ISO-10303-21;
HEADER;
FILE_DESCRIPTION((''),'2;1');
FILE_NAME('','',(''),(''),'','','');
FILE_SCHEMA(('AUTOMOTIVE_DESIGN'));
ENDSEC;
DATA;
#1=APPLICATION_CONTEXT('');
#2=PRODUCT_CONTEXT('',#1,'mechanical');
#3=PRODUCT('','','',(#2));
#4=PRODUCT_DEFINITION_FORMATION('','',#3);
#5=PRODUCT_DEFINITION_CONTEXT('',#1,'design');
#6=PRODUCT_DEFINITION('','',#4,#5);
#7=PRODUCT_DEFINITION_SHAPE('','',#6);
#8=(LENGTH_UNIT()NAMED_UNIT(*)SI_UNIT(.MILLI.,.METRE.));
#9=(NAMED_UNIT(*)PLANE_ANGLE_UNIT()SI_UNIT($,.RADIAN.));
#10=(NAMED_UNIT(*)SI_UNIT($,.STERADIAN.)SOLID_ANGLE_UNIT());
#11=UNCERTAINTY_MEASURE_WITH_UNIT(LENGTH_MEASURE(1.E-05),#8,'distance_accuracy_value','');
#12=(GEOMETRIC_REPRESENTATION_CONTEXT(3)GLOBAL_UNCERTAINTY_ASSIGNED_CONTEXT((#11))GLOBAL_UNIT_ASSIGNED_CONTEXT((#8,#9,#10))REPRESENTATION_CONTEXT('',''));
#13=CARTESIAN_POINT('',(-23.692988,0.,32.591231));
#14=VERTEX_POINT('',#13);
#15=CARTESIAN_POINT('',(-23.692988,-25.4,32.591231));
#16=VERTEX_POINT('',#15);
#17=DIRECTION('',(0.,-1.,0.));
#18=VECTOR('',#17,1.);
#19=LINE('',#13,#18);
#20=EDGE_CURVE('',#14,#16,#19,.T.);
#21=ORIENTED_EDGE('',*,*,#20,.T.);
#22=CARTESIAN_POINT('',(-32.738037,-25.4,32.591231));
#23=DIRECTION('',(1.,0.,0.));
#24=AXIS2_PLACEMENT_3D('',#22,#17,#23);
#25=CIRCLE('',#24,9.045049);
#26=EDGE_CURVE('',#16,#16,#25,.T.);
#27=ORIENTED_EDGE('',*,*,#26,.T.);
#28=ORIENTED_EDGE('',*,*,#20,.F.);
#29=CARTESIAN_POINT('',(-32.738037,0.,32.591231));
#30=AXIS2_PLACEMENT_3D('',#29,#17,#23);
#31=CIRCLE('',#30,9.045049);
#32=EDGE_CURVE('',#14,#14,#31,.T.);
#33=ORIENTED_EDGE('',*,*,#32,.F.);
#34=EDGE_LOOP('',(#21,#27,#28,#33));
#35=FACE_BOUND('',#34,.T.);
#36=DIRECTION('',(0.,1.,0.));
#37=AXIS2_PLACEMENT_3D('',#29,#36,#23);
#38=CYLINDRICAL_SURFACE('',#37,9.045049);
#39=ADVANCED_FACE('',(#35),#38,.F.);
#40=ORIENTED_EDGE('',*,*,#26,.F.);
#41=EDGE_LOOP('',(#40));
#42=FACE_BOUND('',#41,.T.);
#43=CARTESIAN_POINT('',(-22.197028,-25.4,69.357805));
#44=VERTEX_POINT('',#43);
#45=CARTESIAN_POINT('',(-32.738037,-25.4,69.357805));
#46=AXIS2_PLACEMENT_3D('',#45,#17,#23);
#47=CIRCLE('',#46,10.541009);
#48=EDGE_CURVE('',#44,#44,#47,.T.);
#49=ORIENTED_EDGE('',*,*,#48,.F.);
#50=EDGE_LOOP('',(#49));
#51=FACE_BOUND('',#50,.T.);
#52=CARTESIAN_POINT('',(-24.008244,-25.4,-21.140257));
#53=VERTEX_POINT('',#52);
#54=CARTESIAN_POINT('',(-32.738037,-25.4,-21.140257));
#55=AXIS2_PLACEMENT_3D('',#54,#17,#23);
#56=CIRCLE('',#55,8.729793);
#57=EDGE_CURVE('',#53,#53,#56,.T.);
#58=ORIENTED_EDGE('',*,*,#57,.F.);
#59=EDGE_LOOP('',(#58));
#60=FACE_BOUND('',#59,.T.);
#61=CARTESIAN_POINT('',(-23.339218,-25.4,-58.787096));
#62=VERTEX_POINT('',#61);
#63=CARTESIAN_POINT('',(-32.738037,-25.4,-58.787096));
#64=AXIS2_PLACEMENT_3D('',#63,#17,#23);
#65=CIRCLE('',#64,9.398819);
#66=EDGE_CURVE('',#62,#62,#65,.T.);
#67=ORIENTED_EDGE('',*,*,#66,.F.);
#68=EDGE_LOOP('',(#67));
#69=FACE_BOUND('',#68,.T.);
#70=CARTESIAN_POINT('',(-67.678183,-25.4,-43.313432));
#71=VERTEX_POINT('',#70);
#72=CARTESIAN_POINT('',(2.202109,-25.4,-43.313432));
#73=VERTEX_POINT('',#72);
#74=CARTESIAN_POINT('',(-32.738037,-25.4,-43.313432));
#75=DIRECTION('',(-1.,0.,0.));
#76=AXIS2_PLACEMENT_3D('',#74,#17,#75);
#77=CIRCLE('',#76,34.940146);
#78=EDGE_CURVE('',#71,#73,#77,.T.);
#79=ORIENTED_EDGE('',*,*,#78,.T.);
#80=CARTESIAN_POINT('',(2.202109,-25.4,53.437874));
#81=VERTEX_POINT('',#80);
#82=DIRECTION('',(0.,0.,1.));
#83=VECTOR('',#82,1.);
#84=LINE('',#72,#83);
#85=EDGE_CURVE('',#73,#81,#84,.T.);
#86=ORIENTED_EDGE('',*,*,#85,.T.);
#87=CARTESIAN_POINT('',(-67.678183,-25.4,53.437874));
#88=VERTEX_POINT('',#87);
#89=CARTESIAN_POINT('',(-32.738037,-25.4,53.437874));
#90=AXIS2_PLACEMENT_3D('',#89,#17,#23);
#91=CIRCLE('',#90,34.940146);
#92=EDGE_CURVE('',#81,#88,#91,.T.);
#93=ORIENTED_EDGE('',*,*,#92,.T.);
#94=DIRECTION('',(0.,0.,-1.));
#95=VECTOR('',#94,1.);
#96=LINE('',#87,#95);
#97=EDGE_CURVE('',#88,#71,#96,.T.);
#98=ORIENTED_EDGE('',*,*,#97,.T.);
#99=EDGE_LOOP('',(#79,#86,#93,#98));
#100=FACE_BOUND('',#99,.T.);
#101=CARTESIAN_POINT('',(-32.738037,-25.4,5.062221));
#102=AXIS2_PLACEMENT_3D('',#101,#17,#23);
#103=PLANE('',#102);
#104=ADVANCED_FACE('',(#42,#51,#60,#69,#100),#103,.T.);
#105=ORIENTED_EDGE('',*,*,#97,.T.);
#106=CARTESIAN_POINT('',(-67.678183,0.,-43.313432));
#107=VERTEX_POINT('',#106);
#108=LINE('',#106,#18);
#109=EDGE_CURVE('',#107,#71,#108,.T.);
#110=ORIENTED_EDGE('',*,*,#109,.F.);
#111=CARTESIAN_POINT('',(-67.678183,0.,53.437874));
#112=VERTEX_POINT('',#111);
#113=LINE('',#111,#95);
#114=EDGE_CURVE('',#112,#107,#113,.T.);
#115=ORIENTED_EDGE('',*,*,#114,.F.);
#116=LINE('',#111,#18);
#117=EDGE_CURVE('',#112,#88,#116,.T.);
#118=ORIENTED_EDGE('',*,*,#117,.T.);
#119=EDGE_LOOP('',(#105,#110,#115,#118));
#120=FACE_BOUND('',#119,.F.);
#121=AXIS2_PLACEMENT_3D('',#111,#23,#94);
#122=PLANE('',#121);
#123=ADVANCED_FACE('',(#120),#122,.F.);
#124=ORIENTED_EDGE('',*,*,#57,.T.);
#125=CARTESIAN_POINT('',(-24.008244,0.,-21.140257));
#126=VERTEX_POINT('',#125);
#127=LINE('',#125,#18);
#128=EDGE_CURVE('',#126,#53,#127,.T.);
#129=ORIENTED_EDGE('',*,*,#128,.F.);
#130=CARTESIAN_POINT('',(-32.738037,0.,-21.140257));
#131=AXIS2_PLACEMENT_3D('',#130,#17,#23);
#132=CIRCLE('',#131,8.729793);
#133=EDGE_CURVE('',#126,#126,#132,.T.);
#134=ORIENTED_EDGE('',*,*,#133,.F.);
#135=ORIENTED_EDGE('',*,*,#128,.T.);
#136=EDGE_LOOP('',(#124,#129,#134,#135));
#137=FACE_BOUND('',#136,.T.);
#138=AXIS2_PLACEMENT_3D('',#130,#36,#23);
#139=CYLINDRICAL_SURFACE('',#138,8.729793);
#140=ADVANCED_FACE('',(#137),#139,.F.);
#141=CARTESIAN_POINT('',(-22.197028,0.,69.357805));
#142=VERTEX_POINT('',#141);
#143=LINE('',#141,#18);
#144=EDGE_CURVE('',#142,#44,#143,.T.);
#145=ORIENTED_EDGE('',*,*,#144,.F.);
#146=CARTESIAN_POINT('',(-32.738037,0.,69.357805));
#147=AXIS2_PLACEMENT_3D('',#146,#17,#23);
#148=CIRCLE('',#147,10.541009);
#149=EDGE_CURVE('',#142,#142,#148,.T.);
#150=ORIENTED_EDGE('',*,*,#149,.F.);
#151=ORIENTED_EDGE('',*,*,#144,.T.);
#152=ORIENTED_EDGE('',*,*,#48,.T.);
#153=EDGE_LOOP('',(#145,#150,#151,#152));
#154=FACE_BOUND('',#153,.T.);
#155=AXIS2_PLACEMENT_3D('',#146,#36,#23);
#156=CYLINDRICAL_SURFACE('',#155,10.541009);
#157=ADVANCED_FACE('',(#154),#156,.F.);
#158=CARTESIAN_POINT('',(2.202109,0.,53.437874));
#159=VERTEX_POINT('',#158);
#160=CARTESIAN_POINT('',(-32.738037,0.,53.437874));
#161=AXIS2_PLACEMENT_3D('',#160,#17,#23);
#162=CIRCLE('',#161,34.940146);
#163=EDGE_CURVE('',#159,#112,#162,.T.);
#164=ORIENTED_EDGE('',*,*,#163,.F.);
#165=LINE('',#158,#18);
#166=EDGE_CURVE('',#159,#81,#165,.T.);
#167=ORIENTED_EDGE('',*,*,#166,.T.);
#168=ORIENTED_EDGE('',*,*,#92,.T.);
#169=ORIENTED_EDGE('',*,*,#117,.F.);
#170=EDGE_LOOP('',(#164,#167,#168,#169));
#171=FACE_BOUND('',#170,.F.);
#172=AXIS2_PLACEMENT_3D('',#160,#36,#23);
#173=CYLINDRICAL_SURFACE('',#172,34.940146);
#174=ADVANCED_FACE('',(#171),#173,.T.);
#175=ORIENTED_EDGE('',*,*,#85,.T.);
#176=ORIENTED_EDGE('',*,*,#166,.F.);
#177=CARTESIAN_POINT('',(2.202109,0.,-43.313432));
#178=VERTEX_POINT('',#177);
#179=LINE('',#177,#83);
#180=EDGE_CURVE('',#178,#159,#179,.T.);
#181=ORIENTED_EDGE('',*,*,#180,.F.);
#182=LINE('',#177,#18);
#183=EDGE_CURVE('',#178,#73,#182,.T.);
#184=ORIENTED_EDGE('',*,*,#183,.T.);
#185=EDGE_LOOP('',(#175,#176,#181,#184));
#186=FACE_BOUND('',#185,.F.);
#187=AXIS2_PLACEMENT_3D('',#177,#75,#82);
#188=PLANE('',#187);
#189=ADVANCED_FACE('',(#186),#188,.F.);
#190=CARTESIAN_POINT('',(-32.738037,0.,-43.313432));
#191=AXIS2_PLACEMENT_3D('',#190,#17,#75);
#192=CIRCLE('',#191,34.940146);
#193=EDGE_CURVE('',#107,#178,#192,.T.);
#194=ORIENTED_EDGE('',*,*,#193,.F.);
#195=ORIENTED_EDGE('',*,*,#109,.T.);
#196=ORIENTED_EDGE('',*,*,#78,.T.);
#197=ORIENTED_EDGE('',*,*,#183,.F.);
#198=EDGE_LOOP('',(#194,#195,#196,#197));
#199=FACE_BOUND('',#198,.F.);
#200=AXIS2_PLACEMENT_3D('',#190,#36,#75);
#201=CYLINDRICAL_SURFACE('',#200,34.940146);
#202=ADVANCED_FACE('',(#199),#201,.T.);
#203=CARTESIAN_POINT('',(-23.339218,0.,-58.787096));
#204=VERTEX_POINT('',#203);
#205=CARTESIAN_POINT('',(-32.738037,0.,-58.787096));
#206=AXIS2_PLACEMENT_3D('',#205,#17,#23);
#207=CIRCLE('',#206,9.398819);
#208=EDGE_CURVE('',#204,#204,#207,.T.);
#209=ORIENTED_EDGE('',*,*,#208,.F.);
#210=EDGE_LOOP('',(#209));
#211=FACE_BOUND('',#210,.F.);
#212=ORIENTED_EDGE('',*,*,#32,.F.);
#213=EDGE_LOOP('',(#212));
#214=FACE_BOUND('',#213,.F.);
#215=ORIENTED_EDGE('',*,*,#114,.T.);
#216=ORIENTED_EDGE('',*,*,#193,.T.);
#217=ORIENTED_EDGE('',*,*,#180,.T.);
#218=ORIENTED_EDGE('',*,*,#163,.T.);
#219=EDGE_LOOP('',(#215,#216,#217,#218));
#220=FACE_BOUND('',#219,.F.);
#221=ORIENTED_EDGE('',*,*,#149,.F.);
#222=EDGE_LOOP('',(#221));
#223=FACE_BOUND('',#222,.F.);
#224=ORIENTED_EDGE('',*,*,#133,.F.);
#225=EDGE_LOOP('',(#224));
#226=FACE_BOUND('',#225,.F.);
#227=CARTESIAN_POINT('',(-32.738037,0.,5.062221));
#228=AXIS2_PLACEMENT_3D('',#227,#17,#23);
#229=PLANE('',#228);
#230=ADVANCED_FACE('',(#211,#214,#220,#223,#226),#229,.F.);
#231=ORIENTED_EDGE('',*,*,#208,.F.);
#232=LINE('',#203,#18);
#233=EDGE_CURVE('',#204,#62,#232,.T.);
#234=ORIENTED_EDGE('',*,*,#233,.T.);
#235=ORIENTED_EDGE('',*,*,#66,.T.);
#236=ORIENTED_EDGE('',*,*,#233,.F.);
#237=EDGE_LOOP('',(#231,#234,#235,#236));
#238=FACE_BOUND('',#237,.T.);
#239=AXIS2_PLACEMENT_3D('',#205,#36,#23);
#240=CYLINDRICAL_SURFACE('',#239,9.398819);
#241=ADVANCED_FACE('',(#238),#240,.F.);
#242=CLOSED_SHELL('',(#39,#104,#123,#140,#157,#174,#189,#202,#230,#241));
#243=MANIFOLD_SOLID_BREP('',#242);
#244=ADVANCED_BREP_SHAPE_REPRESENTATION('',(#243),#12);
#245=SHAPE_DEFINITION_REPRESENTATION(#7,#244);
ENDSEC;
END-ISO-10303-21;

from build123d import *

# Parameters (mm, degrees)
F0_R     = 9.398819
F0_R_2   = 10.541009
F0_R_3   = 8.729793
F0_R_4   = 9.045049
F1_DEPTH = 25.4


with BuildPart() as f1:
    # F0 (on Front) → F1 (new body)
    with BuildSketch(Plane.XZ):
        with BuildLine():
            ThreePointArc((2.202109, 53.437874), (-32.738037, 88.37802), (-67.678183, 53.437874))
            Line((-67.678183, 53.437874), (-67.678183, -43.313432))
            ThreePointArc((-67.678183, -43.313432), (-32.738037, -78.253578), (2.202109, -43.313432))
            Line((2.202109, -43.313432), (2.202109, 53.437874))
        make_face()
        with Locations((-32.738037, -58.787096)):
            Circle(F0_R, mode=Mode.SUBTRACT)
        with BuildLine():
            Line((-48.006002, -33.17846), (-48.006002, 38.169909))
            ThreePointArc((-48.006002, 38.169909), (-32.738037, 53.437874), (-17.470073, 38.169909))
            Line((-17.470073, 38.169909), (-17.470073, -33.17846))
            ThreePointArc((-17.470073, -33.17846), (-32.738037, -43.313432), (-48.006002, -33.17846))
        make_face(mode=Mode.SUBTRACT)
        with Locations((-32.738037, 69.357805)):
            Circle(F0_R_2, mode=Mode.SUBTRACT)
        with BuildLine():
            ThreePointArc((-17.470073, 38.169909), (-32.738037, 53.437874), (-48.006002, 38.169909))
            Line((-48.006002, 38.169909), (-48.006002, -33.17846))
            ThreePointArc((-48.006002, -33.17846), (-32.738037, -43.313432), (-17.470073, -33.17846))
            Line((-17.470073, -33.17846), (-17.470073, 38.169909))
        make_face()
        with Locations((-32.738037, -21.140257)):
            Circle(F0_R_3, mode=Mode.SUBTRACT)
        with Locations((-32.738037, 32.591231)):
            Circle(F0_R_4, mode=Mode.SUBTRACT)
    extrude(amount=F1_DEPTH)


solid = f1.part
